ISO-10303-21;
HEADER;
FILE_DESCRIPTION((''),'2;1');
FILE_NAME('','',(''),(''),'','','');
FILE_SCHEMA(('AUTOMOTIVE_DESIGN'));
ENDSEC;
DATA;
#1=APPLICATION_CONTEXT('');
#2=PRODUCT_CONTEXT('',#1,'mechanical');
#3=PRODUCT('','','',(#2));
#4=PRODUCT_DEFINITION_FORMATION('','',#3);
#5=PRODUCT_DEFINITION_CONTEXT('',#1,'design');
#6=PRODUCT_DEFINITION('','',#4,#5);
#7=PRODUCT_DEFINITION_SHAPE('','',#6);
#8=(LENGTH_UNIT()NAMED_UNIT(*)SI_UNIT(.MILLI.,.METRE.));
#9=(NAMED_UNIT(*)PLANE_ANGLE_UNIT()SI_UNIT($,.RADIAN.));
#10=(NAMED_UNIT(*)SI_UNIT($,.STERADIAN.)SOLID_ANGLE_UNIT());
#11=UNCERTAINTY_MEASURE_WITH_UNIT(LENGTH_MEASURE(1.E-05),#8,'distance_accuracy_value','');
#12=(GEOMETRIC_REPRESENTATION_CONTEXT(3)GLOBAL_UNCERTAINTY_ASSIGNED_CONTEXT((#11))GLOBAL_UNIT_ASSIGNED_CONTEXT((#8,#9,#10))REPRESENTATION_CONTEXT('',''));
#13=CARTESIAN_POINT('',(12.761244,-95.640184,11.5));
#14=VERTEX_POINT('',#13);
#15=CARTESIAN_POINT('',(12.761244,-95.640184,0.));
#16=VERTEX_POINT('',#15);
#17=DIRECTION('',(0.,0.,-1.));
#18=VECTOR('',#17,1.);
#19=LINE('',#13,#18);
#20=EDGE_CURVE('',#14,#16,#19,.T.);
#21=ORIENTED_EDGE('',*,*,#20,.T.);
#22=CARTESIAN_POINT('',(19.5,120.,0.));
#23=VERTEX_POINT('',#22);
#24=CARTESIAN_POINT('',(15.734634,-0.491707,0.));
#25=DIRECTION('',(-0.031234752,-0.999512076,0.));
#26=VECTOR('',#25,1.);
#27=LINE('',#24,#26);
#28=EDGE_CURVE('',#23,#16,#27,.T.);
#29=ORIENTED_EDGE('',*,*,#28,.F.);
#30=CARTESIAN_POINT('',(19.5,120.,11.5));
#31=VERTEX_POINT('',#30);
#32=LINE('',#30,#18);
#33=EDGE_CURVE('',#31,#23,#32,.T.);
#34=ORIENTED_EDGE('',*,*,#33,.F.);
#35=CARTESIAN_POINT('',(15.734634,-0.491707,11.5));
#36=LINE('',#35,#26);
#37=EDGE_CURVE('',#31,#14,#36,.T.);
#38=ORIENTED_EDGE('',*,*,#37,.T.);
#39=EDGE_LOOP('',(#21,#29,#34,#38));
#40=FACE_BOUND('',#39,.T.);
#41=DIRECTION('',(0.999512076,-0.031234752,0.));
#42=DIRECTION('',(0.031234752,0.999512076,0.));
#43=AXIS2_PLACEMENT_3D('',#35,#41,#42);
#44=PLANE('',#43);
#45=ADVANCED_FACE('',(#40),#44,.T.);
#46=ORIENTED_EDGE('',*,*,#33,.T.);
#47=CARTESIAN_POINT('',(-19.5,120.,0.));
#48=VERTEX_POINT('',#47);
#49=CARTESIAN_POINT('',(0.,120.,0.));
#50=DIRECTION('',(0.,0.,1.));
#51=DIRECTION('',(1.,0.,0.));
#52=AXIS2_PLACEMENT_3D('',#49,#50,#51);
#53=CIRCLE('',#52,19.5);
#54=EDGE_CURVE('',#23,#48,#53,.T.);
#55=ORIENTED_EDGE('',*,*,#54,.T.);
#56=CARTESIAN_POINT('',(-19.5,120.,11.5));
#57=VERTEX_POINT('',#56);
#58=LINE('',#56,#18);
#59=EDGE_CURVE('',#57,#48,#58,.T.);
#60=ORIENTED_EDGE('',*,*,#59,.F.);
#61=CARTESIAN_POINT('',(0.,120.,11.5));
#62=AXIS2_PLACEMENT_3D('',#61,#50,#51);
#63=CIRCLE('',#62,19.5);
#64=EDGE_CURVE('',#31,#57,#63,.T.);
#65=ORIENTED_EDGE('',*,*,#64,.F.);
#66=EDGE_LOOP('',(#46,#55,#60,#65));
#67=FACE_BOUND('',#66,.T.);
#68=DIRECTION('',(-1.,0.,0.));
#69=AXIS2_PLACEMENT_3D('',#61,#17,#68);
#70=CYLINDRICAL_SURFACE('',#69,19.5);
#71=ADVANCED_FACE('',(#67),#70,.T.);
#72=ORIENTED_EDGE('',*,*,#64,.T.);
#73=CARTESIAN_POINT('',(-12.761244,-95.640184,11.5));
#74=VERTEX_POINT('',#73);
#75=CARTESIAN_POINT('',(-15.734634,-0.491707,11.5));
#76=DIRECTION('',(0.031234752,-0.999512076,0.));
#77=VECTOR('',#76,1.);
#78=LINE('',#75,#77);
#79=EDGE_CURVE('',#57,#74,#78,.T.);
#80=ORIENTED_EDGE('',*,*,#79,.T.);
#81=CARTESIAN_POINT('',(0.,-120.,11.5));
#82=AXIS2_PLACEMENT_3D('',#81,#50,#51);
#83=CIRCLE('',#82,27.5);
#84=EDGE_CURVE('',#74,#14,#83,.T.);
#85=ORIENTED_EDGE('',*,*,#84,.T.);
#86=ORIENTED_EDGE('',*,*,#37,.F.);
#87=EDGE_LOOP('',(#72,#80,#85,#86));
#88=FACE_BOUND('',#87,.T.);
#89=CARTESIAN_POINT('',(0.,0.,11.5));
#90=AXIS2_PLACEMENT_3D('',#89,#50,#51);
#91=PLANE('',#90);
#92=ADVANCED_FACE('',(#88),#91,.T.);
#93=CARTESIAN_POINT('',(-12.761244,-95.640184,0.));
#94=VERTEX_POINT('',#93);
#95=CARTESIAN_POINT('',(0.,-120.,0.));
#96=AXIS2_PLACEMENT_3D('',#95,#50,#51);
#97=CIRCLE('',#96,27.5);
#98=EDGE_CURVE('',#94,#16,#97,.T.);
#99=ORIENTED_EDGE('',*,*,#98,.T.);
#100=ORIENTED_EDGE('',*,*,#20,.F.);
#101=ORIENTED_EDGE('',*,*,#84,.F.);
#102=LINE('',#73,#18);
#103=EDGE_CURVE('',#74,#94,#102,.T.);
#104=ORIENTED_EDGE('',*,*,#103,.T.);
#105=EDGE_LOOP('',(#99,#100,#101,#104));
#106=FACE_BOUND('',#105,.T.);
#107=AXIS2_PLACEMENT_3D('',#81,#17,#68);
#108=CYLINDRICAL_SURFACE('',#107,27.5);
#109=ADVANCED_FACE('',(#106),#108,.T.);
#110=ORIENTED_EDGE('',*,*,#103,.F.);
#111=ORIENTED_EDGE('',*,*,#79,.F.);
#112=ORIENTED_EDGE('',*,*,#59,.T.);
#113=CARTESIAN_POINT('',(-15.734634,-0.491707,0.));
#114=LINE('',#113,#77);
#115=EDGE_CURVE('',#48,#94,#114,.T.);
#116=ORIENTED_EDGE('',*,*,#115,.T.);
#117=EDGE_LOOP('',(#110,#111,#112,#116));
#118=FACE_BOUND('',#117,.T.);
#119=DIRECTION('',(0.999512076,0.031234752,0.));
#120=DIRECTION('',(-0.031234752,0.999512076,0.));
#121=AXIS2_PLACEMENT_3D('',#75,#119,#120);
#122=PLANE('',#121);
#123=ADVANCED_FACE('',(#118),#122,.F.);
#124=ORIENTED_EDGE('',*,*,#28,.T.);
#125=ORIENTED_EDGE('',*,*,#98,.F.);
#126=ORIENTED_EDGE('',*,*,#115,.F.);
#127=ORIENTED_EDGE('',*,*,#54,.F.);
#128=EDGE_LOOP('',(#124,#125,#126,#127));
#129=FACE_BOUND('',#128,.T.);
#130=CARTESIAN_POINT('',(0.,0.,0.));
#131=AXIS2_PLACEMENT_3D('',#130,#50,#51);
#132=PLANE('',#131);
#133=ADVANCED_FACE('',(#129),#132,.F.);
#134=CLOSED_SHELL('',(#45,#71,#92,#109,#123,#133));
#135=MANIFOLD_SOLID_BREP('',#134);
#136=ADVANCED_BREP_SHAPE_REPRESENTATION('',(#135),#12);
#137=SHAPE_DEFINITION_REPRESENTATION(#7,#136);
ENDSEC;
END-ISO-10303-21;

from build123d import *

# Parameters (mm, degrees)
EXTRUDE_1_DEPTH = 11.5


with BuildPart() as part:
    # 草图1 → 凸台-拉伸1 (new body)
    with BuildSketch(Plane.XY):
        with BuildLine():
            Line((12.761244256, -95.640183805), (19.5, 120))
            ThreePointArc((19.5, 120), (0, 139.5), (-19.5, 120))
            Line((-19.5, 120), (-12.761244256, -95.640183805))
            ThreePointArc((-12.761244256, -95.640183805), (0, -147.5), (12.761244256, -95.640183805))
        make_face()
    extrude(amount=EXTRUDE_1_DEPTH)


solid = part.part
